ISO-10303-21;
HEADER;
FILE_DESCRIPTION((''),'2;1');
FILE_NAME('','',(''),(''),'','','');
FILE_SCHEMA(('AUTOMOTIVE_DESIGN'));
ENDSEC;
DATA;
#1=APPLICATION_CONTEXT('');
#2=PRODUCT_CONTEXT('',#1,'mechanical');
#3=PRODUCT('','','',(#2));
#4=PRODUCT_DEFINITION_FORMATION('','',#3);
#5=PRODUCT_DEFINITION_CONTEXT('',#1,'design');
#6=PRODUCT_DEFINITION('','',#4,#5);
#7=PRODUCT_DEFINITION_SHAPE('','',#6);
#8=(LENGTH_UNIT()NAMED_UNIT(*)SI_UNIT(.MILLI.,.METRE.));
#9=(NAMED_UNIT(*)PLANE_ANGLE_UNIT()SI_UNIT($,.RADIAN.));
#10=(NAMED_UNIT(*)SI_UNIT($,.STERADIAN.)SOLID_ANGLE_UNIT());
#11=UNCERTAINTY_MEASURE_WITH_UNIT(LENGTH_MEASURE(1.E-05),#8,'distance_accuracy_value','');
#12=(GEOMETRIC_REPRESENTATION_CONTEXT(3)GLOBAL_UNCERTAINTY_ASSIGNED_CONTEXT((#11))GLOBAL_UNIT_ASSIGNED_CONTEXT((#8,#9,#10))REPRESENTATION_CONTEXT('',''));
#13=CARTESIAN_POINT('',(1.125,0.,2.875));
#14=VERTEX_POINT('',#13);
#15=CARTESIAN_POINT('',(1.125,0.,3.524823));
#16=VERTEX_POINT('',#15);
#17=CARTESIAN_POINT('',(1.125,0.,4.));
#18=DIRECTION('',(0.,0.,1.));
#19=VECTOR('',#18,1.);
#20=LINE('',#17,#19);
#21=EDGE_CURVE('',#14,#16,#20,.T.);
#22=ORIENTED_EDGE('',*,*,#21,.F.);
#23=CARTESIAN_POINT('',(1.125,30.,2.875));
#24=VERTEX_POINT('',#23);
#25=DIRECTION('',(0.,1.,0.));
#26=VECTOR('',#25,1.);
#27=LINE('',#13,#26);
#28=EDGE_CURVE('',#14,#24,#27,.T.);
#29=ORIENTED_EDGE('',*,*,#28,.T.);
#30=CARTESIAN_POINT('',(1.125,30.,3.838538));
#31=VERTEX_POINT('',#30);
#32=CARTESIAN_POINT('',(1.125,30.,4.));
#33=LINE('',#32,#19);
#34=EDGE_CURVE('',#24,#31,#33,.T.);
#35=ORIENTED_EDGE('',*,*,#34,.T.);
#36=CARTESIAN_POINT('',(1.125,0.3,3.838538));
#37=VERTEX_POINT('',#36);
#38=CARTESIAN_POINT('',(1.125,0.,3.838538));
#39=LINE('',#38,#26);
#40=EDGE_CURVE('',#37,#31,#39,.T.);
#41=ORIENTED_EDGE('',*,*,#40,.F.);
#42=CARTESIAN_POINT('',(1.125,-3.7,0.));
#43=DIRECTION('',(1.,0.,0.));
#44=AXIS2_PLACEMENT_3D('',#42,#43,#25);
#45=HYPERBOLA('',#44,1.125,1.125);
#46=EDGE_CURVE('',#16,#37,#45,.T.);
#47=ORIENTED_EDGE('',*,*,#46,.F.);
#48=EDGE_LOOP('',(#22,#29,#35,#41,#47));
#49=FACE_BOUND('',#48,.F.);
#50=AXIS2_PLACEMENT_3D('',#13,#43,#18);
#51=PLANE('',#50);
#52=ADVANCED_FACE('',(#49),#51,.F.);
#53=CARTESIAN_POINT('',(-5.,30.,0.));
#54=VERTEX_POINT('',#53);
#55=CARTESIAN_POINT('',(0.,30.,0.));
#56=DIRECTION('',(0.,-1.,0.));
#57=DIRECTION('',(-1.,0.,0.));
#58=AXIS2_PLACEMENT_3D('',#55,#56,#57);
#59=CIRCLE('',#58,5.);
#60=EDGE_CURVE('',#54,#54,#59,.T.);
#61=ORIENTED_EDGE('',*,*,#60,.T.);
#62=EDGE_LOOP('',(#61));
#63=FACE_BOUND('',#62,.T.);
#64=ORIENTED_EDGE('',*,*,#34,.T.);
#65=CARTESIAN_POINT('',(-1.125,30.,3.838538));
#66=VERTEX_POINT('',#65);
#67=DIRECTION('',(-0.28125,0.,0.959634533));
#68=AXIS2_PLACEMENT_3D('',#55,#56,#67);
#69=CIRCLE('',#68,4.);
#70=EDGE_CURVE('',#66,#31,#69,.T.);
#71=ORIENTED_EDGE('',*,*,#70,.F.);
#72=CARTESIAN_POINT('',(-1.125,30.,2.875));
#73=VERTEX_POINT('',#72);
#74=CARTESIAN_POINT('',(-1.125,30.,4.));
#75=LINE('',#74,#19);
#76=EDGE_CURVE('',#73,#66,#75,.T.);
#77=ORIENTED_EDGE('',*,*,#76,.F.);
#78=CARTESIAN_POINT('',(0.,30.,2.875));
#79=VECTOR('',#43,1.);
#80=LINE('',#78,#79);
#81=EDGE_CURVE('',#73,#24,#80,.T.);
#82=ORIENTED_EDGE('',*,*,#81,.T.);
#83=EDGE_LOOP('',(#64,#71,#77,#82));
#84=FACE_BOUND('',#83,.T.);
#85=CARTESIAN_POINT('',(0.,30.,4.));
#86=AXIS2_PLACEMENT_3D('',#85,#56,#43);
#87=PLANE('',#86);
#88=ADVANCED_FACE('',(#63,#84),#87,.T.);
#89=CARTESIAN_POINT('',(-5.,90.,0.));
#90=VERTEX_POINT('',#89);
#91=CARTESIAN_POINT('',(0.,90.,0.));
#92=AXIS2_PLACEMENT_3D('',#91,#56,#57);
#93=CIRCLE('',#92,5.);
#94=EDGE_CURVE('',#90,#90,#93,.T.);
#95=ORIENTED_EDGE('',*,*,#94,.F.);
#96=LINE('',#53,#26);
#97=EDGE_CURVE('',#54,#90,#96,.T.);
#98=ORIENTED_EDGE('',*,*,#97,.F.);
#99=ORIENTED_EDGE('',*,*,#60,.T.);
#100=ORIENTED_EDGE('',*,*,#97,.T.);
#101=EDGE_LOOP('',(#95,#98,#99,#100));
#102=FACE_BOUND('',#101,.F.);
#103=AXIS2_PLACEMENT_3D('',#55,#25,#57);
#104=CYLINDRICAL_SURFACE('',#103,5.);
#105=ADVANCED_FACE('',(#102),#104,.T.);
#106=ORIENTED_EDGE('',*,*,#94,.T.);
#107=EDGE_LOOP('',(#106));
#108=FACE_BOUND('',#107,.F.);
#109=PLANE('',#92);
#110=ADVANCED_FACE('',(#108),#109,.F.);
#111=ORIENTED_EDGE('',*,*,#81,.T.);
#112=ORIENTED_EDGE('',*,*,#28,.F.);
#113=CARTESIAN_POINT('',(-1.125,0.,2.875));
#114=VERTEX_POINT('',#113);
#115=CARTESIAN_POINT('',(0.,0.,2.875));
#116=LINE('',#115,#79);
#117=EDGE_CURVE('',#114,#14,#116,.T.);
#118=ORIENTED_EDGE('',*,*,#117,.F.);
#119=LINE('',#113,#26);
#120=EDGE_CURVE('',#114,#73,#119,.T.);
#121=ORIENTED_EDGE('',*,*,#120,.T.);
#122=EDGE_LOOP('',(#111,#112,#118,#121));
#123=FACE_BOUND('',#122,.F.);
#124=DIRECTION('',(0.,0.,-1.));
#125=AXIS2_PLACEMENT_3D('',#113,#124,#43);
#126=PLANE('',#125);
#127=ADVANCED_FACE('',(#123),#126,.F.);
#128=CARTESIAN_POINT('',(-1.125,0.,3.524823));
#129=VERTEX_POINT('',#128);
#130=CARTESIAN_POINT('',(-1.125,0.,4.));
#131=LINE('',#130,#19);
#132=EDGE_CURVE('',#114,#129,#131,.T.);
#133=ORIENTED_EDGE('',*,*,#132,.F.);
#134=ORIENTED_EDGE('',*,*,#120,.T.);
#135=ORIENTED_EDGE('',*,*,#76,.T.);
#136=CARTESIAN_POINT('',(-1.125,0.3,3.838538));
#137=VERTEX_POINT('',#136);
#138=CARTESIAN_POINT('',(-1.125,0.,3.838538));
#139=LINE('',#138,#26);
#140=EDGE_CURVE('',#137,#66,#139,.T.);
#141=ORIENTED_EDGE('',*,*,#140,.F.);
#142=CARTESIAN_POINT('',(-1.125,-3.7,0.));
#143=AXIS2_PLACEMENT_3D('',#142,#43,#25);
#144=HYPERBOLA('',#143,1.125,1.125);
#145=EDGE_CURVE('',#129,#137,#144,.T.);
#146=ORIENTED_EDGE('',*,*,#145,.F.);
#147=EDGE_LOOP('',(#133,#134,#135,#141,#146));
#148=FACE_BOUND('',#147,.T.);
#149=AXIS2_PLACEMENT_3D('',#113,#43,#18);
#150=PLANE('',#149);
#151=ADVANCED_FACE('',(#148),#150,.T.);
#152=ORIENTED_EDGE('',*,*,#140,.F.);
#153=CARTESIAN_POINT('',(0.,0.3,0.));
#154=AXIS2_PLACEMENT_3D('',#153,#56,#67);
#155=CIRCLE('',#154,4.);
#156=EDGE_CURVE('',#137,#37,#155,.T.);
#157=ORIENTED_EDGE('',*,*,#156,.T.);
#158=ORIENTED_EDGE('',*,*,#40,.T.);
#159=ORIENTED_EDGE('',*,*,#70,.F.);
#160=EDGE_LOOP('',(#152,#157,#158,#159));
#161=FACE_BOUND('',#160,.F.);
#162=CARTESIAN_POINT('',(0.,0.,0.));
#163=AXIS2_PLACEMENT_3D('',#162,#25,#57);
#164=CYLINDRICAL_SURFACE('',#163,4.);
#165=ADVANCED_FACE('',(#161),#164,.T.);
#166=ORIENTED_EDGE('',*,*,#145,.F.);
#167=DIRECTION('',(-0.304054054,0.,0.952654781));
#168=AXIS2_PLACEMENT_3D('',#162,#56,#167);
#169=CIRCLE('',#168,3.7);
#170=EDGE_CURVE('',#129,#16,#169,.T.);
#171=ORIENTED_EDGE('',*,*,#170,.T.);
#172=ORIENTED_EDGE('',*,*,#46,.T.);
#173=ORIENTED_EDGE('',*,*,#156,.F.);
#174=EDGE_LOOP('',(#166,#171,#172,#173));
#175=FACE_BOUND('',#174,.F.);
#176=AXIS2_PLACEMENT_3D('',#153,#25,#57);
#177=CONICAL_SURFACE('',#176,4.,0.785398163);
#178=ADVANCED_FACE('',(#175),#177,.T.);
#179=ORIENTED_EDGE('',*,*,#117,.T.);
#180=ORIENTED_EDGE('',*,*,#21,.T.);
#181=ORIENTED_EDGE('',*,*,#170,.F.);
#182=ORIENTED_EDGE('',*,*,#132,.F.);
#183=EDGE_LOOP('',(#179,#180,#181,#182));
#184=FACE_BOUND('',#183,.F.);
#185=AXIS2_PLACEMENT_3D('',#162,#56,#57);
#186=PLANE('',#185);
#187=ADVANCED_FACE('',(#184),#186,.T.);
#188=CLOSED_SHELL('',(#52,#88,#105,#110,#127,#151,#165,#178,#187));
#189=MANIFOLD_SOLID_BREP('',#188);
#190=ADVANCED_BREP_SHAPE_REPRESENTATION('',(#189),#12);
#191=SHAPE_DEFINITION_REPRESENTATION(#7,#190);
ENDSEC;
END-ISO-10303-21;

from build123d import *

# Parameters (mm, degrees)
CHAMFER1_SIZE      = 0.3
SKETCH2_W          = 2.25
SKETCH2_H          = 2.25
CUT_EXTRUDE1_DEPTH = 30


with BuildPart() as part:
    # Sketch1 → Revolve1 (revolve)
    with BuildSketch(Plane.XY, mode=Mode.PRIVATE) as revolve1_sk:
        Polygon((0, 0), (4, 0), (4, 30), (5, 30), (5, 90), (0, 90), align=None)
    revolve(revolve1_sk.sketch.rotate(Axis((0, 90, 0), (0, -1, 0)), 180), axis=Axis((0, 90, 0), (0, -1, 0)))

    # Chamfer1
    chamfer1_edges = [part.edges().sort_by_distance(p)[0] for p in [
        (4, 0, 0),
    ]]
    chamfer(chamfer1_edges, length=CHAMFER1_SIZE)

    # Sketch2 → Cut-Extrude1 (cut)
    with BuildSketch(Plane.XZ):
        with Locations((0, 4)):
            Rectangle(SKETCH2_W, SKETCH2_H)
    extrude(amount=-CUT_EXTRUDE1_DEPTH, mode=Mode.SUBTRACT)


solid = part.part
